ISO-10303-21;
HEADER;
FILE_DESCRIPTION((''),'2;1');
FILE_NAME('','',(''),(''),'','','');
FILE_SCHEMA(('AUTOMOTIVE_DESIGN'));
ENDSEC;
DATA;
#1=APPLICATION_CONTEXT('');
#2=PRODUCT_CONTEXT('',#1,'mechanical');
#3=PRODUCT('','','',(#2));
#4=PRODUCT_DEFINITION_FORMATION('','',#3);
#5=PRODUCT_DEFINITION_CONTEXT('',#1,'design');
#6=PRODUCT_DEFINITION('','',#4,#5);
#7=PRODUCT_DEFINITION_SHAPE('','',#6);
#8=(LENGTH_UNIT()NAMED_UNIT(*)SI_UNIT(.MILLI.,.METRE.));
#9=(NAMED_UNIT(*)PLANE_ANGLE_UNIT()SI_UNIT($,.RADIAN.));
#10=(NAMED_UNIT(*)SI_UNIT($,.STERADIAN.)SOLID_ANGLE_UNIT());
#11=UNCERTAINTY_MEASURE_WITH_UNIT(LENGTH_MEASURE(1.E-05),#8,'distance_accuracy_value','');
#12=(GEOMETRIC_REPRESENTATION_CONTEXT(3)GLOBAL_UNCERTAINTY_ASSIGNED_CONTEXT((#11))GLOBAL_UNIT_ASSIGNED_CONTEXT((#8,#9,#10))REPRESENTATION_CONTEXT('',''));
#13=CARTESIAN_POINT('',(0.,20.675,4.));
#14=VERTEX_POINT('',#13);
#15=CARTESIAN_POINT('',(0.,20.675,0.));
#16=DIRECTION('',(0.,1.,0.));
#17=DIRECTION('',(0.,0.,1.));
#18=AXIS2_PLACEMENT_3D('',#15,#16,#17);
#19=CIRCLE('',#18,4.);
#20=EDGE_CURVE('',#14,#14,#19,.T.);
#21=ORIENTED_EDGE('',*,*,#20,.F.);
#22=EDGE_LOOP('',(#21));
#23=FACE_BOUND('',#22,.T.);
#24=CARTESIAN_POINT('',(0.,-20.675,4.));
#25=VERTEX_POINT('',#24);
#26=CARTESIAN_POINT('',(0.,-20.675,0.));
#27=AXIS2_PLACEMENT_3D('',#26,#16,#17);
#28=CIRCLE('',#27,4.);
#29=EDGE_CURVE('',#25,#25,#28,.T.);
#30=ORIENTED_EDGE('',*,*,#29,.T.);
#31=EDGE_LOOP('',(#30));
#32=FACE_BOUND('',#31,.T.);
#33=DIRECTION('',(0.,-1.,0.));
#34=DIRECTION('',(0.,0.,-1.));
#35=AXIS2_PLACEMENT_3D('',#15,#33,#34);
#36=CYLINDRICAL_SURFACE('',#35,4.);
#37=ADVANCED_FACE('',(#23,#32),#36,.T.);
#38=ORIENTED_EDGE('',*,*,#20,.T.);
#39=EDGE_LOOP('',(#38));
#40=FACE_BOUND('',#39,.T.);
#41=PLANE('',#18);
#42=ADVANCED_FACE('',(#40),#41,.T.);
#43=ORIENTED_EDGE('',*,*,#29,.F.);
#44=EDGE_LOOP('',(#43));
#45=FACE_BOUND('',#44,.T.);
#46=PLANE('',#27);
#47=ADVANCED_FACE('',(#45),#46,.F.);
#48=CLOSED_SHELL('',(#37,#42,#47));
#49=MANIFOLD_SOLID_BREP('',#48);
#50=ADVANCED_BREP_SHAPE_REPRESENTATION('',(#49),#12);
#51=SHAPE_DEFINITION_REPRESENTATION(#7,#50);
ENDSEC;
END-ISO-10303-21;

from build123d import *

# Parameters (mm, degrees)
SKETCH1_R           = 4
BOSS_EXTRUDE1_DEPTH = 20.675


with BuildPart() as part:
    # Sketch1 → Boss-Extrude1 (new body, symmetric)
    with BuildSketch(Plane(origin=(0, 0, 0), x_dir=(1, 0, 0), z_dir=(0, 1, 0))):
        Circle(SKETCH1_R)
    extrude(amount=BOSS_EXTRUDE1_DEPTH, both=True)


solid = part.part
